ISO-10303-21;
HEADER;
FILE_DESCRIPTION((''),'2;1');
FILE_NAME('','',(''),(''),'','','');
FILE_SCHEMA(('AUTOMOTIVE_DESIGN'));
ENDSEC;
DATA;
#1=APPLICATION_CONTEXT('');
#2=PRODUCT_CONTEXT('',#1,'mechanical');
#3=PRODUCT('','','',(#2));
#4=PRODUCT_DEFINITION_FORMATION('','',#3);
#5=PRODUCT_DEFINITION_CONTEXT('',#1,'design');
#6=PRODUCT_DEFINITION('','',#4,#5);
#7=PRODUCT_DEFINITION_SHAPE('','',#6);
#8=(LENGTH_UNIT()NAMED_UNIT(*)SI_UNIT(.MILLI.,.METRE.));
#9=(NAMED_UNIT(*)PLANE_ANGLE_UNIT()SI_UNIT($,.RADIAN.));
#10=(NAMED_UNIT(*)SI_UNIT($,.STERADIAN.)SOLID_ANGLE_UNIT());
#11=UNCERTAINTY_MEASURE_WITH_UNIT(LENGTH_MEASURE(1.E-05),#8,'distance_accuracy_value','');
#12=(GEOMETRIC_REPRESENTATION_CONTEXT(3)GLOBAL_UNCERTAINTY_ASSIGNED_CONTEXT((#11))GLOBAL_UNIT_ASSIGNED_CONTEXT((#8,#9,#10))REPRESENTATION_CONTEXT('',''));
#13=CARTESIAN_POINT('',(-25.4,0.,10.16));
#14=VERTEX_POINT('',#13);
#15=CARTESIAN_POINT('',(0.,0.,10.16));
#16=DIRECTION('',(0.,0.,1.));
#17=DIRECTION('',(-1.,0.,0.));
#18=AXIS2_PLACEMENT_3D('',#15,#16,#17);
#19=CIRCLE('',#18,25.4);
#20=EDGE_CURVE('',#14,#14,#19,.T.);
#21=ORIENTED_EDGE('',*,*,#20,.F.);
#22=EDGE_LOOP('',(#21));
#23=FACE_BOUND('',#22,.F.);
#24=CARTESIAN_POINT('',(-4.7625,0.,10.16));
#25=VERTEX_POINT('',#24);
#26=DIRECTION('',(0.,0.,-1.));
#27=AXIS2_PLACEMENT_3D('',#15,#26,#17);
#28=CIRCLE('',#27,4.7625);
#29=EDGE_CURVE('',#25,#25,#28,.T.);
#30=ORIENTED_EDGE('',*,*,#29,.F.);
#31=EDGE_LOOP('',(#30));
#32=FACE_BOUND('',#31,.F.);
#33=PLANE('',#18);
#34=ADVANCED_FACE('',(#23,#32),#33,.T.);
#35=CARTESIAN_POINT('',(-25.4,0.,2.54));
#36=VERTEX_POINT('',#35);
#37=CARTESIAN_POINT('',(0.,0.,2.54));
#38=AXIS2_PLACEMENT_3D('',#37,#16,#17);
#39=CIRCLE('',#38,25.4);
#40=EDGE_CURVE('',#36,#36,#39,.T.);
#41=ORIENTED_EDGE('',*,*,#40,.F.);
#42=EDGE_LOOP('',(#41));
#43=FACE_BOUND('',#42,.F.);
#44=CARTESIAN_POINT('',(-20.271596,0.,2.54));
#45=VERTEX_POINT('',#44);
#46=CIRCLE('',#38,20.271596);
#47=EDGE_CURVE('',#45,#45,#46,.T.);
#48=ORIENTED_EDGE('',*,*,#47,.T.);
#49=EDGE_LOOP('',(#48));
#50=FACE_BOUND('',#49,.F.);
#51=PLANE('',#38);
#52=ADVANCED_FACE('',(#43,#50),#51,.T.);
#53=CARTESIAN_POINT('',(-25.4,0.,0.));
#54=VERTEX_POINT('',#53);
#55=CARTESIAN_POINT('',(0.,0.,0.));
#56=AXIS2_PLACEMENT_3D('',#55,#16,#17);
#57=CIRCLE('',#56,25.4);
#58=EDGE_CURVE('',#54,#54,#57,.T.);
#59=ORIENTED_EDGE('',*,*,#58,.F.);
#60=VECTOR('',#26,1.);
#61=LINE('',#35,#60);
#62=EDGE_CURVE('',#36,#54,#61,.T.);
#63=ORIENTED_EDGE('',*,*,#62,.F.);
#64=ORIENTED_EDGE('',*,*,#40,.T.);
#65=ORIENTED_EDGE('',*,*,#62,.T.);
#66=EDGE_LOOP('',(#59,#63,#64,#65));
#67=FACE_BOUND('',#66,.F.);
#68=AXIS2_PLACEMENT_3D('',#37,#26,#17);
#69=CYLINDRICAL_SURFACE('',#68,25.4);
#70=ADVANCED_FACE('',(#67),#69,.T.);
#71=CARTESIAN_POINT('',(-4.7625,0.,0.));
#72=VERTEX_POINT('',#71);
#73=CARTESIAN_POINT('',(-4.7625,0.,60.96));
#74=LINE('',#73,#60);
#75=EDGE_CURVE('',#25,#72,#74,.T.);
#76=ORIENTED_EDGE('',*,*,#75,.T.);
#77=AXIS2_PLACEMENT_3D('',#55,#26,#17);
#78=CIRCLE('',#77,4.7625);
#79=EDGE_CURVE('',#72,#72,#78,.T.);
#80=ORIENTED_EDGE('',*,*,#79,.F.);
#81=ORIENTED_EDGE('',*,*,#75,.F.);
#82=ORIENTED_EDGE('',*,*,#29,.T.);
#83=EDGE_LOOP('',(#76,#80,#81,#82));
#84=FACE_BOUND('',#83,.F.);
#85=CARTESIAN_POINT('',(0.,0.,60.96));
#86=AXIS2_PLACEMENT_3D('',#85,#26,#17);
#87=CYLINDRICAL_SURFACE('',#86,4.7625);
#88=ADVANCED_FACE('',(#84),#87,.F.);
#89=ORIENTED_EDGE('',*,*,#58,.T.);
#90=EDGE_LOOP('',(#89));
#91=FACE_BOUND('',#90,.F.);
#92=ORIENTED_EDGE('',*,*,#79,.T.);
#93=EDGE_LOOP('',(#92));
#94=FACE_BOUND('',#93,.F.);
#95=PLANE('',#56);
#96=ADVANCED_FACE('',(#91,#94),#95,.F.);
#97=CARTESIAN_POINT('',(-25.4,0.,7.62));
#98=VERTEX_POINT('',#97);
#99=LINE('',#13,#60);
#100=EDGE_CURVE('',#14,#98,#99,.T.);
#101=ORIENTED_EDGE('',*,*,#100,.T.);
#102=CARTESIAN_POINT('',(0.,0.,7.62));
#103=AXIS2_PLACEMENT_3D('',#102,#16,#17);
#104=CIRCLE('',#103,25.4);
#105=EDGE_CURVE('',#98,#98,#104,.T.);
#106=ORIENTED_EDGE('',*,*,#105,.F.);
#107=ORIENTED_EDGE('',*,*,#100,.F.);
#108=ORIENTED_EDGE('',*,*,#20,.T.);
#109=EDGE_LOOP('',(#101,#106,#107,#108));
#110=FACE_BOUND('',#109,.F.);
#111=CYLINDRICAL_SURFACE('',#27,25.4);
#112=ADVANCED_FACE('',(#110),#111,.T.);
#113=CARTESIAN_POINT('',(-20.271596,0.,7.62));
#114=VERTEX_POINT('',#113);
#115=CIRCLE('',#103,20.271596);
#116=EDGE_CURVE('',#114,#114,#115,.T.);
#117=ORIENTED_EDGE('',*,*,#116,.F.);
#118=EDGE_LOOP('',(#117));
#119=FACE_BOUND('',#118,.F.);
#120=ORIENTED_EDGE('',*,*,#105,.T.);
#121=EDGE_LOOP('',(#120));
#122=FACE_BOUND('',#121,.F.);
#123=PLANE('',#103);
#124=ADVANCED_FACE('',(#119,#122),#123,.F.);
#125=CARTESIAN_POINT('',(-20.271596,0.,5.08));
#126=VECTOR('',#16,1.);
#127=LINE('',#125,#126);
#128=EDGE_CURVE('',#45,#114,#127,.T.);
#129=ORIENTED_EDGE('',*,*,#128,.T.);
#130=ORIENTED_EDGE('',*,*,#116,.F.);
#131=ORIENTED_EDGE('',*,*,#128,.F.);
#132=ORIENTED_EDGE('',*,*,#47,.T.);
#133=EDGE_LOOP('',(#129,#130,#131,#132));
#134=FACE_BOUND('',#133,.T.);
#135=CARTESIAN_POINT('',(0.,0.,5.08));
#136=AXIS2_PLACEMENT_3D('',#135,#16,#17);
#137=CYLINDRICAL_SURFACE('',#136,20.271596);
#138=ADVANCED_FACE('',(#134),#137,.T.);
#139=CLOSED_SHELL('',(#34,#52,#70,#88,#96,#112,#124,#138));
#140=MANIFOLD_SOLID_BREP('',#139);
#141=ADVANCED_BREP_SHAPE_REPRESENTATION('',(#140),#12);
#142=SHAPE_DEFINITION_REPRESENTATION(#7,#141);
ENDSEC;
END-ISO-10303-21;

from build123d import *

# Parameters (mm, degrees)
F0_W     = 20.271596
F0_H     = 5.08
F3_D     = 9.525
F3_DEPTH = 50.8


with BuildPart() as f1:
    # F0 (on Front) → F1 (revolve)
    with BuildSketch(Plane.XZ):
        with Locations((-10.135798, 5.08)):
            Rectangle(F0_W, F0_H)
        Polygon((-20.271596, 7.62), (0, 7.62), (0, 10.16), (-25.4, 10.16), (-25.4, 7.62), align=None)
        Polygon((-25.4, 0), (0, 0), (0, 2.54), (-20.271596, 2.54), (-25.4, 2.54), align=None)
    revolve(axis=Axis((0, 0, 5.08), (0, 0, 1)))

    # F3
    with Locations(Plane.XY.offset(10.16)):
        with Locations((0, 0)):
            Hole(F3_D / 2, depth=F3_DEPTH)


solid = f1.part
